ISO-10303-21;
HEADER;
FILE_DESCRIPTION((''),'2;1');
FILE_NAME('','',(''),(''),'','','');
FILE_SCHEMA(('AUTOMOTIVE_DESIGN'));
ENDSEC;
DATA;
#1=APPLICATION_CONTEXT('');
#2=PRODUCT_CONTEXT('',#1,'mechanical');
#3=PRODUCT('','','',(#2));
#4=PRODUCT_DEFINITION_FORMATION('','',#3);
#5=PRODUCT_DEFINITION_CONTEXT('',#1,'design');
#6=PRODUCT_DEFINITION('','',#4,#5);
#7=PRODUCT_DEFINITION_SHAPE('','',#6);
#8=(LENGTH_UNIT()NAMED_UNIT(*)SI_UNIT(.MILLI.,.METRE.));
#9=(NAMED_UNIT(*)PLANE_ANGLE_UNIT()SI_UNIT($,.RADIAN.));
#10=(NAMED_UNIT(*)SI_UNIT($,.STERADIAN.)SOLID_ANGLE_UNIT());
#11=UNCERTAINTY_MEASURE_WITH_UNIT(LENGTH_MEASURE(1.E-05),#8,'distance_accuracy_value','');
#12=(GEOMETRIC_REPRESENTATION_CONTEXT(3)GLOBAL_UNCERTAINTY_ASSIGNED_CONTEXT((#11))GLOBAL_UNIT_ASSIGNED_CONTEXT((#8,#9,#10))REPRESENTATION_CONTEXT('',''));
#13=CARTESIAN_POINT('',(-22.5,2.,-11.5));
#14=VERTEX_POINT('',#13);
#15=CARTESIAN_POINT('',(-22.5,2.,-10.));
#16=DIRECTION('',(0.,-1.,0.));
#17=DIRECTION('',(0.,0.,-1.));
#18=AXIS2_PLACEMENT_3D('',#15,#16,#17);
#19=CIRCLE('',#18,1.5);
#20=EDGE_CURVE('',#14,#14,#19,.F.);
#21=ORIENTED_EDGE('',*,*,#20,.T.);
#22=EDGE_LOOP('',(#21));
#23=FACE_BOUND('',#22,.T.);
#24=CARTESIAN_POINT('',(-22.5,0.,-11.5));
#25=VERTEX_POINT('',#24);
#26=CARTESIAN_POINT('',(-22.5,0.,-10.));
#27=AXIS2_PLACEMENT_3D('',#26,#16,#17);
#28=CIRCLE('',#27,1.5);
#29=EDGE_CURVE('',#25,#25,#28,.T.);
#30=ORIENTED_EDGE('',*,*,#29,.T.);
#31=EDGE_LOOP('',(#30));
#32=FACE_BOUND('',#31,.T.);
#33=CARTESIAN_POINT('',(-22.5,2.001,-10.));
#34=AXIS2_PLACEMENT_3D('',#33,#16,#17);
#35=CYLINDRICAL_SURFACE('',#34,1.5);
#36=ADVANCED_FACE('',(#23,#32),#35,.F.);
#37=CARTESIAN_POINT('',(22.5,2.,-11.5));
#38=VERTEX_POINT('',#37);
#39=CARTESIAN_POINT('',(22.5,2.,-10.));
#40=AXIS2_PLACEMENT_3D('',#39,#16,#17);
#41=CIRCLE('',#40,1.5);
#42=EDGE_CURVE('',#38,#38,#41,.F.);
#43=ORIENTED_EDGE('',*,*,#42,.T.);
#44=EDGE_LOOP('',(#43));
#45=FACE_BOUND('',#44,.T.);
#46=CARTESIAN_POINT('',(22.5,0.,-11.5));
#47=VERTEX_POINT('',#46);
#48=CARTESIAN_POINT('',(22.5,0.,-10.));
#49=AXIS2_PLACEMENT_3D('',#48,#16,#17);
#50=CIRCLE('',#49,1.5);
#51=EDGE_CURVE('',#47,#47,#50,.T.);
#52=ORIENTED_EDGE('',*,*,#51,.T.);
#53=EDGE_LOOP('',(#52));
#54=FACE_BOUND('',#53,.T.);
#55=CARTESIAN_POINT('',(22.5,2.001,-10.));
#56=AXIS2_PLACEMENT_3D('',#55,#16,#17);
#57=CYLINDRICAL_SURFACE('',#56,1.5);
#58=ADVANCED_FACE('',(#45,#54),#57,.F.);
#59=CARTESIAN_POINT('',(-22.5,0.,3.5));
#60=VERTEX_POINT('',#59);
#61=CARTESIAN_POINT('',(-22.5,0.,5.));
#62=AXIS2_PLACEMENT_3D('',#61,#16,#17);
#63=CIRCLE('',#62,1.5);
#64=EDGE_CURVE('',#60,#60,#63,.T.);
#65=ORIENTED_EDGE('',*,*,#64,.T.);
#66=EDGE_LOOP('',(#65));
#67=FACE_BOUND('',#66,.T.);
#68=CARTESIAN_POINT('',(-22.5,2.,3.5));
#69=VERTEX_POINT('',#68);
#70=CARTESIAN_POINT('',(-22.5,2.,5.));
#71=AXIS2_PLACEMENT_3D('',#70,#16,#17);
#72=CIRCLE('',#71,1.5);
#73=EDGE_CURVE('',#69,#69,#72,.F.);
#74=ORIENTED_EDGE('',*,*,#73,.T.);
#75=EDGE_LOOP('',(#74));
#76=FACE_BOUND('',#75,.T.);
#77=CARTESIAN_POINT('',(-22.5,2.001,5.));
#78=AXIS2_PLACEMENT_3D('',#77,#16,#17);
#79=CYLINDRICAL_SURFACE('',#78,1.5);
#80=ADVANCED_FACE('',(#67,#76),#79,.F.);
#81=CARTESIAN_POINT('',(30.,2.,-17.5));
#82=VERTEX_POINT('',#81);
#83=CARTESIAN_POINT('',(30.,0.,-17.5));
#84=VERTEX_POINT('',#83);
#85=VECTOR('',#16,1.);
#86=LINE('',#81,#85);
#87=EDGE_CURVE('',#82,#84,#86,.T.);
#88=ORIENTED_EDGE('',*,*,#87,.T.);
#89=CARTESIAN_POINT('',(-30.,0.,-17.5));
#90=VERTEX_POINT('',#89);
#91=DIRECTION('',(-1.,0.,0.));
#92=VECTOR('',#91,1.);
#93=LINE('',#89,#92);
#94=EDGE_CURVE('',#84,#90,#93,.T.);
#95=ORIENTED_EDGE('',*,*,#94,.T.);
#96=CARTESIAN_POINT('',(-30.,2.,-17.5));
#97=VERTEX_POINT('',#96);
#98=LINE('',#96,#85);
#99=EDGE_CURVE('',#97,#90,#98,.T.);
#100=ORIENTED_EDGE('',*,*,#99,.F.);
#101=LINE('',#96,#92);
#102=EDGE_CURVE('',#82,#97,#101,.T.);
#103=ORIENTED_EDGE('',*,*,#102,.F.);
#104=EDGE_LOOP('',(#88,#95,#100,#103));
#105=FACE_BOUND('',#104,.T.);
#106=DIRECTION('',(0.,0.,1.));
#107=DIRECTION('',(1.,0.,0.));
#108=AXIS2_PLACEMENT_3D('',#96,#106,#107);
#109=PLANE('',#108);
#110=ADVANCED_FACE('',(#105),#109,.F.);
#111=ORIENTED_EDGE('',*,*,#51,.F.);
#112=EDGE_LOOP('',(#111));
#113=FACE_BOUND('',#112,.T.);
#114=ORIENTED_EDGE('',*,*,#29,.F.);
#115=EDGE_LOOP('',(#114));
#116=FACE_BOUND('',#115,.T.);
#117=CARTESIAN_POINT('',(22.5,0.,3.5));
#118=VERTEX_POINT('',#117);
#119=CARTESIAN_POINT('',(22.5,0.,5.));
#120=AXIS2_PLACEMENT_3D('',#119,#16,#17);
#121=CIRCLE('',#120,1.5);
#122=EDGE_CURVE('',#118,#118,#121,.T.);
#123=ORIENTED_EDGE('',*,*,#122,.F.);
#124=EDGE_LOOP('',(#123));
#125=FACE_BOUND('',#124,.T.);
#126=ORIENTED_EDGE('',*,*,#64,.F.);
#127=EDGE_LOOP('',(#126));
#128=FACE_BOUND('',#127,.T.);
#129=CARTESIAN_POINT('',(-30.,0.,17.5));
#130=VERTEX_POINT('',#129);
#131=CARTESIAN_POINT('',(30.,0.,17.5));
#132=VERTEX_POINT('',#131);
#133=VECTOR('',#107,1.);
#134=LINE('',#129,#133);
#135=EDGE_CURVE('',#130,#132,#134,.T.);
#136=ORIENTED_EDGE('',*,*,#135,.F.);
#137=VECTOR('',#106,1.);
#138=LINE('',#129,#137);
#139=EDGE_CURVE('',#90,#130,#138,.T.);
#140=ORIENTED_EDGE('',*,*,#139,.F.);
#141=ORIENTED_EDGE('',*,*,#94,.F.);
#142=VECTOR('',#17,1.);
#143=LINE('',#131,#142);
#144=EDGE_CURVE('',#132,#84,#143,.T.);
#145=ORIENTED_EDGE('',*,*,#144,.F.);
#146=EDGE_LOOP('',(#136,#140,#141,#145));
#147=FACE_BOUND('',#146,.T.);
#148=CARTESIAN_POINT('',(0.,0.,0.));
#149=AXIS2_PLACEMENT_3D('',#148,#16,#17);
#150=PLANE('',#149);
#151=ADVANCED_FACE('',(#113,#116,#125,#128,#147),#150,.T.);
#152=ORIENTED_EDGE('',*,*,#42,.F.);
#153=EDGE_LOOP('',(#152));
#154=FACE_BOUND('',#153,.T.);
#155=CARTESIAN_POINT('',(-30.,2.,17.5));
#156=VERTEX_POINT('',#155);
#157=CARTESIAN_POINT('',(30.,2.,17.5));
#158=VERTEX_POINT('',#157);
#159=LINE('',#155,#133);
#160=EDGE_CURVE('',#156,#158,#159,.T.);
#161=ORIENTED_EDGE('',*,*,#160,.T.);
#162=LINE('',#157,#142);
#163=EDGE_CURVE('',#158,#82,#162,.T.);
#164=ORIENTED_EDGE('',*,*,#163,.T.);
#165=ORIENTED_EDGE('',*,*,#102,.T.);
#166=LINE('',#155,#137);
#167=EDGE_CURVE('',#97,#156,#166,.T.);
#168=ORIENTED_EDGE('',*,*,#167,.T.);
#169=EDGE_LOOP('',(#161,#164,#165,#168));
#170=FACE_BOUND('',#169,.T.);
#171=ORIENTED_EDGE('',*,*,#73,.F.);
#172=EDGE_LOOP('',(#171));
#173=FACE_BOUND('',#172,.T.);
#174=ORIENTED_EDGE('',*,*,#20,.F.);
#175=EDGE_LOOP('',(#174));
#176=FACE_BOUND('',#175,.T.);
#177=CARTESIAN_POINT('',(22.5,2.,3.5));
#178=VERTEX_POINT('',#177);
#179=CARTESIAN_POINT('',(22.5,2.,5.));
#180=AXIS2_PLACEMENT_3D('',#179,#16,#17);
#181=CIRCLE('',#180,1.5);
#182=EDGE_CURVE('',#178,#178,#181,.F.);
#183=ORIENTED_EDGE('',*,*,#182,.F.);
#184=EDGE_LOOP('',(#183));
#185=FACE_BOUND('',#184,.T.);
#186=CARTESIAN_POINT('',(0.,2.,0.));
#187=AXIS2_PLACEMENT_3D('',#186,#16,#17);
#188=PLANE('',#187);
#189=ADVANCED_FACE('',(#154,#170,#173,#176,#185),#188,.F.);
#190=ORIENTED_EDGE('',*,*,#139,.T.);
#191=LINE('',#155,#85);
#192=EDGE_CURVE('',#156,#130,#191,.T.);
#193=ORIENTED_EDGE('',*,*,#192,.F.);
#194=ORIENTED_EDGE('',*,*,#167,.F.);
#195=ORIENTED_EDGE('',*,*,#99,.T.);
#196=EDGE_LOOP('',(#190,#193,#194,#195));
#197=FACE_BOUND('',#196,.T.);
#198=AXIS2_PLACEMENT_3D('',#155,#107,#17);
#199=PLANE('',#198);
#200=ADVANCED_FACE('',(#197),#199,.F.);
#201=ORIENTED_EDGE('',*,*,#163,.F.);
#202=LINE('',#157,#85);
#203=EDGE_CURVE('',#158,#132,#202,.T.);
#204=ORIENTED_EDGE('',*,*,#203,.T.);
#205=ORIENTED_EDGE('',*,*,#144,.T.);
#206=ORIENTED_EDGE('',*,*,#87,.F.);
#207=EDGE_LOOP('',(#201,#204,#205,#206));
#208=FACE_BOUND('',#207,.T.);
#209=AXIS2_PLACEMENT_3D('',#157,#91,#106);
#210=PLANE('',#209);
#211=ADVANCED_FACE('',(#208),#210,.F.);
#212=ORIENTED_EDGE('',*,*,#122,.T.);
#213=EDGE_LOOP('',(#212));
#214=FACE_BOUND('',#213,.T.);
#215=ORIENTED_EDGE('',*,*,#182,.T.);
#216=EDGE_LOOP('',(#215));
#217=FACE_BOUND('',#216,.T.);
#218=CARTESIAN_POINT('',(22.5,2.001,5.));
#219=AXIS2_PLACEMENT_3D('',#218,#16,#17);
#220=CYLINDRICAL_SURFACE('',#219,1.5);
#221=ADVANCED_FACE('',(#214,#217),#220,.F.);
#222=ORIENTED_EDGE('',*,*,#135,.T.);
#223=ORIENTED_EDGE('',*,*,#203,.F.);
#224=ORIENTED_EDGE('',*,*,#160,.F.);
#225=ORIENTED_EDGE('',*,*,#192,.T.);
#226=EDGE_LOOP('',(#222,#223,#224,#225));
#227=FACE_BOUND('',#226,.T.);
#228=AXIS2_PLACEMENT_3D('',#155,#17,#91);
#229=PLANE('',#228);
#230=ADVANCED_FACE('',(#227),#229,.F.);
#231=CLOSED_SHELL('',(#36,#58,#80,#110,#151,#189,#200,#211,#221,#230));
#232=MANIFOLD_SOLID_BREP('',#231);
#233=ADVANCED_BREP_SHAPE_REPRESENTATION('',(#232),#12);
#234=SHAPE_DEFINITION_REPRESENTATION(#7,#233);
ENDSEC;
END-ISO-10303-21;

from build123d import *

# Parameters (mm, degrees)
CROQUIS1_W              = 60
CROQUIS1_H              = 35
SALIENTE_EXTRUIR1_DEPTH = 2
CORTAR_EXTRUIR1_REACH   = 4
CROQUIS2_R              = 1.5


with BuildPart() as part:
    # Croquis1 → Saliente-Extruir1 (new body)
    with BuildSketch(Plane(origin=(0, 0, 0), x_dir=(1, 0, 0), z_dir=(0, 1, 0))):
        Rectangle(CROQUIS1_W, CROQUIS1_H)
    extrude(amount=SALIENTE_EXTRUIR1_DEPTH)

    # Croquis2 → Cortar-Extruir1 (cut, up to next)
    with BuildSketch(Plane.XZ, mode=Mode.PRIVATE) as cortar_extruir1_sk1:
        with Locations((22.5, -10)):
            Circle(CROQUIS2_R)
    cortar_extruir1_tool1 = extrude(cortar_extruir1_sk1.sketch, amount=-CORTAR_EXTRUIR1_REACH, mode=Mode.PRIVATE) & part.part
    add(cortar_extruir1_tool1.solids().sort_by_distance((22.5, 0, -10))[0], mode=Mode.SUBTRACT)
    # Croquis2 → Cortar-Extruir1 (cut, up to next)
    with BuildSketch(Plane.XZ, mode=Mode.PRIVATE) as cortar_extruir1_sk2:
        with Locations((22.5, 5)):
            Circle(CROQUIS2_R)
    cortar_extruir1_tool2 = extrude(cortar_extruir1_sk2.sketch, amount=-CORTAR_EXTRUIR1_REACH, mode=Mode.PRIVATE) & part.part
    add(cortar_extruir1_tool2.solids().sort_by_distance((22.5, 0, 5))[0], mode=Mode.SUBTRACT)
    # Croquis2 → Cortar-Extruir1 (cut, up to next)
    with BuildSketch(Plane.XZ, mode=Mode.PRIVATE) as cortar_extruir1_sk3:
        with Locations((-22.5, -10)):
            Circle(CROQUIS2_R)
    cortar_extruir1_tool3 = extrude(cortar_extruir1_sk3.sketch, amount=-CORTAR_EXTRUIR1_REACH, mode=Mode.PRIVATE) & part.part
    add(cortar_extruir1_tool3.solids().sort_by_distance((-22.5, 0, -10))[0], mode=Mode.SUBTRACT)
    # Croquis2 → Cortar-Extruir1 (cut, up to next)
    with BuildSketch(Plane.XZ, mode=Mode.PRIVATE) as cortar_extruir1_sk4:
        with Locations((-22.5, 5)):
            Circle(CROQUIS2_R)
    cortar_extruir1_tool4 = extrude(cortar_extruir1_sk4.sketch, amount=-CORTAR_EXTRUIR1_REACH, mode=Mode.PRIVATE) & part.part
    add(cortar_extruir1_tool4.solids().sort_by_distance((-22.5, 0, 5))[0], mode=Mode.SUBTRACT)


solid = part.part
